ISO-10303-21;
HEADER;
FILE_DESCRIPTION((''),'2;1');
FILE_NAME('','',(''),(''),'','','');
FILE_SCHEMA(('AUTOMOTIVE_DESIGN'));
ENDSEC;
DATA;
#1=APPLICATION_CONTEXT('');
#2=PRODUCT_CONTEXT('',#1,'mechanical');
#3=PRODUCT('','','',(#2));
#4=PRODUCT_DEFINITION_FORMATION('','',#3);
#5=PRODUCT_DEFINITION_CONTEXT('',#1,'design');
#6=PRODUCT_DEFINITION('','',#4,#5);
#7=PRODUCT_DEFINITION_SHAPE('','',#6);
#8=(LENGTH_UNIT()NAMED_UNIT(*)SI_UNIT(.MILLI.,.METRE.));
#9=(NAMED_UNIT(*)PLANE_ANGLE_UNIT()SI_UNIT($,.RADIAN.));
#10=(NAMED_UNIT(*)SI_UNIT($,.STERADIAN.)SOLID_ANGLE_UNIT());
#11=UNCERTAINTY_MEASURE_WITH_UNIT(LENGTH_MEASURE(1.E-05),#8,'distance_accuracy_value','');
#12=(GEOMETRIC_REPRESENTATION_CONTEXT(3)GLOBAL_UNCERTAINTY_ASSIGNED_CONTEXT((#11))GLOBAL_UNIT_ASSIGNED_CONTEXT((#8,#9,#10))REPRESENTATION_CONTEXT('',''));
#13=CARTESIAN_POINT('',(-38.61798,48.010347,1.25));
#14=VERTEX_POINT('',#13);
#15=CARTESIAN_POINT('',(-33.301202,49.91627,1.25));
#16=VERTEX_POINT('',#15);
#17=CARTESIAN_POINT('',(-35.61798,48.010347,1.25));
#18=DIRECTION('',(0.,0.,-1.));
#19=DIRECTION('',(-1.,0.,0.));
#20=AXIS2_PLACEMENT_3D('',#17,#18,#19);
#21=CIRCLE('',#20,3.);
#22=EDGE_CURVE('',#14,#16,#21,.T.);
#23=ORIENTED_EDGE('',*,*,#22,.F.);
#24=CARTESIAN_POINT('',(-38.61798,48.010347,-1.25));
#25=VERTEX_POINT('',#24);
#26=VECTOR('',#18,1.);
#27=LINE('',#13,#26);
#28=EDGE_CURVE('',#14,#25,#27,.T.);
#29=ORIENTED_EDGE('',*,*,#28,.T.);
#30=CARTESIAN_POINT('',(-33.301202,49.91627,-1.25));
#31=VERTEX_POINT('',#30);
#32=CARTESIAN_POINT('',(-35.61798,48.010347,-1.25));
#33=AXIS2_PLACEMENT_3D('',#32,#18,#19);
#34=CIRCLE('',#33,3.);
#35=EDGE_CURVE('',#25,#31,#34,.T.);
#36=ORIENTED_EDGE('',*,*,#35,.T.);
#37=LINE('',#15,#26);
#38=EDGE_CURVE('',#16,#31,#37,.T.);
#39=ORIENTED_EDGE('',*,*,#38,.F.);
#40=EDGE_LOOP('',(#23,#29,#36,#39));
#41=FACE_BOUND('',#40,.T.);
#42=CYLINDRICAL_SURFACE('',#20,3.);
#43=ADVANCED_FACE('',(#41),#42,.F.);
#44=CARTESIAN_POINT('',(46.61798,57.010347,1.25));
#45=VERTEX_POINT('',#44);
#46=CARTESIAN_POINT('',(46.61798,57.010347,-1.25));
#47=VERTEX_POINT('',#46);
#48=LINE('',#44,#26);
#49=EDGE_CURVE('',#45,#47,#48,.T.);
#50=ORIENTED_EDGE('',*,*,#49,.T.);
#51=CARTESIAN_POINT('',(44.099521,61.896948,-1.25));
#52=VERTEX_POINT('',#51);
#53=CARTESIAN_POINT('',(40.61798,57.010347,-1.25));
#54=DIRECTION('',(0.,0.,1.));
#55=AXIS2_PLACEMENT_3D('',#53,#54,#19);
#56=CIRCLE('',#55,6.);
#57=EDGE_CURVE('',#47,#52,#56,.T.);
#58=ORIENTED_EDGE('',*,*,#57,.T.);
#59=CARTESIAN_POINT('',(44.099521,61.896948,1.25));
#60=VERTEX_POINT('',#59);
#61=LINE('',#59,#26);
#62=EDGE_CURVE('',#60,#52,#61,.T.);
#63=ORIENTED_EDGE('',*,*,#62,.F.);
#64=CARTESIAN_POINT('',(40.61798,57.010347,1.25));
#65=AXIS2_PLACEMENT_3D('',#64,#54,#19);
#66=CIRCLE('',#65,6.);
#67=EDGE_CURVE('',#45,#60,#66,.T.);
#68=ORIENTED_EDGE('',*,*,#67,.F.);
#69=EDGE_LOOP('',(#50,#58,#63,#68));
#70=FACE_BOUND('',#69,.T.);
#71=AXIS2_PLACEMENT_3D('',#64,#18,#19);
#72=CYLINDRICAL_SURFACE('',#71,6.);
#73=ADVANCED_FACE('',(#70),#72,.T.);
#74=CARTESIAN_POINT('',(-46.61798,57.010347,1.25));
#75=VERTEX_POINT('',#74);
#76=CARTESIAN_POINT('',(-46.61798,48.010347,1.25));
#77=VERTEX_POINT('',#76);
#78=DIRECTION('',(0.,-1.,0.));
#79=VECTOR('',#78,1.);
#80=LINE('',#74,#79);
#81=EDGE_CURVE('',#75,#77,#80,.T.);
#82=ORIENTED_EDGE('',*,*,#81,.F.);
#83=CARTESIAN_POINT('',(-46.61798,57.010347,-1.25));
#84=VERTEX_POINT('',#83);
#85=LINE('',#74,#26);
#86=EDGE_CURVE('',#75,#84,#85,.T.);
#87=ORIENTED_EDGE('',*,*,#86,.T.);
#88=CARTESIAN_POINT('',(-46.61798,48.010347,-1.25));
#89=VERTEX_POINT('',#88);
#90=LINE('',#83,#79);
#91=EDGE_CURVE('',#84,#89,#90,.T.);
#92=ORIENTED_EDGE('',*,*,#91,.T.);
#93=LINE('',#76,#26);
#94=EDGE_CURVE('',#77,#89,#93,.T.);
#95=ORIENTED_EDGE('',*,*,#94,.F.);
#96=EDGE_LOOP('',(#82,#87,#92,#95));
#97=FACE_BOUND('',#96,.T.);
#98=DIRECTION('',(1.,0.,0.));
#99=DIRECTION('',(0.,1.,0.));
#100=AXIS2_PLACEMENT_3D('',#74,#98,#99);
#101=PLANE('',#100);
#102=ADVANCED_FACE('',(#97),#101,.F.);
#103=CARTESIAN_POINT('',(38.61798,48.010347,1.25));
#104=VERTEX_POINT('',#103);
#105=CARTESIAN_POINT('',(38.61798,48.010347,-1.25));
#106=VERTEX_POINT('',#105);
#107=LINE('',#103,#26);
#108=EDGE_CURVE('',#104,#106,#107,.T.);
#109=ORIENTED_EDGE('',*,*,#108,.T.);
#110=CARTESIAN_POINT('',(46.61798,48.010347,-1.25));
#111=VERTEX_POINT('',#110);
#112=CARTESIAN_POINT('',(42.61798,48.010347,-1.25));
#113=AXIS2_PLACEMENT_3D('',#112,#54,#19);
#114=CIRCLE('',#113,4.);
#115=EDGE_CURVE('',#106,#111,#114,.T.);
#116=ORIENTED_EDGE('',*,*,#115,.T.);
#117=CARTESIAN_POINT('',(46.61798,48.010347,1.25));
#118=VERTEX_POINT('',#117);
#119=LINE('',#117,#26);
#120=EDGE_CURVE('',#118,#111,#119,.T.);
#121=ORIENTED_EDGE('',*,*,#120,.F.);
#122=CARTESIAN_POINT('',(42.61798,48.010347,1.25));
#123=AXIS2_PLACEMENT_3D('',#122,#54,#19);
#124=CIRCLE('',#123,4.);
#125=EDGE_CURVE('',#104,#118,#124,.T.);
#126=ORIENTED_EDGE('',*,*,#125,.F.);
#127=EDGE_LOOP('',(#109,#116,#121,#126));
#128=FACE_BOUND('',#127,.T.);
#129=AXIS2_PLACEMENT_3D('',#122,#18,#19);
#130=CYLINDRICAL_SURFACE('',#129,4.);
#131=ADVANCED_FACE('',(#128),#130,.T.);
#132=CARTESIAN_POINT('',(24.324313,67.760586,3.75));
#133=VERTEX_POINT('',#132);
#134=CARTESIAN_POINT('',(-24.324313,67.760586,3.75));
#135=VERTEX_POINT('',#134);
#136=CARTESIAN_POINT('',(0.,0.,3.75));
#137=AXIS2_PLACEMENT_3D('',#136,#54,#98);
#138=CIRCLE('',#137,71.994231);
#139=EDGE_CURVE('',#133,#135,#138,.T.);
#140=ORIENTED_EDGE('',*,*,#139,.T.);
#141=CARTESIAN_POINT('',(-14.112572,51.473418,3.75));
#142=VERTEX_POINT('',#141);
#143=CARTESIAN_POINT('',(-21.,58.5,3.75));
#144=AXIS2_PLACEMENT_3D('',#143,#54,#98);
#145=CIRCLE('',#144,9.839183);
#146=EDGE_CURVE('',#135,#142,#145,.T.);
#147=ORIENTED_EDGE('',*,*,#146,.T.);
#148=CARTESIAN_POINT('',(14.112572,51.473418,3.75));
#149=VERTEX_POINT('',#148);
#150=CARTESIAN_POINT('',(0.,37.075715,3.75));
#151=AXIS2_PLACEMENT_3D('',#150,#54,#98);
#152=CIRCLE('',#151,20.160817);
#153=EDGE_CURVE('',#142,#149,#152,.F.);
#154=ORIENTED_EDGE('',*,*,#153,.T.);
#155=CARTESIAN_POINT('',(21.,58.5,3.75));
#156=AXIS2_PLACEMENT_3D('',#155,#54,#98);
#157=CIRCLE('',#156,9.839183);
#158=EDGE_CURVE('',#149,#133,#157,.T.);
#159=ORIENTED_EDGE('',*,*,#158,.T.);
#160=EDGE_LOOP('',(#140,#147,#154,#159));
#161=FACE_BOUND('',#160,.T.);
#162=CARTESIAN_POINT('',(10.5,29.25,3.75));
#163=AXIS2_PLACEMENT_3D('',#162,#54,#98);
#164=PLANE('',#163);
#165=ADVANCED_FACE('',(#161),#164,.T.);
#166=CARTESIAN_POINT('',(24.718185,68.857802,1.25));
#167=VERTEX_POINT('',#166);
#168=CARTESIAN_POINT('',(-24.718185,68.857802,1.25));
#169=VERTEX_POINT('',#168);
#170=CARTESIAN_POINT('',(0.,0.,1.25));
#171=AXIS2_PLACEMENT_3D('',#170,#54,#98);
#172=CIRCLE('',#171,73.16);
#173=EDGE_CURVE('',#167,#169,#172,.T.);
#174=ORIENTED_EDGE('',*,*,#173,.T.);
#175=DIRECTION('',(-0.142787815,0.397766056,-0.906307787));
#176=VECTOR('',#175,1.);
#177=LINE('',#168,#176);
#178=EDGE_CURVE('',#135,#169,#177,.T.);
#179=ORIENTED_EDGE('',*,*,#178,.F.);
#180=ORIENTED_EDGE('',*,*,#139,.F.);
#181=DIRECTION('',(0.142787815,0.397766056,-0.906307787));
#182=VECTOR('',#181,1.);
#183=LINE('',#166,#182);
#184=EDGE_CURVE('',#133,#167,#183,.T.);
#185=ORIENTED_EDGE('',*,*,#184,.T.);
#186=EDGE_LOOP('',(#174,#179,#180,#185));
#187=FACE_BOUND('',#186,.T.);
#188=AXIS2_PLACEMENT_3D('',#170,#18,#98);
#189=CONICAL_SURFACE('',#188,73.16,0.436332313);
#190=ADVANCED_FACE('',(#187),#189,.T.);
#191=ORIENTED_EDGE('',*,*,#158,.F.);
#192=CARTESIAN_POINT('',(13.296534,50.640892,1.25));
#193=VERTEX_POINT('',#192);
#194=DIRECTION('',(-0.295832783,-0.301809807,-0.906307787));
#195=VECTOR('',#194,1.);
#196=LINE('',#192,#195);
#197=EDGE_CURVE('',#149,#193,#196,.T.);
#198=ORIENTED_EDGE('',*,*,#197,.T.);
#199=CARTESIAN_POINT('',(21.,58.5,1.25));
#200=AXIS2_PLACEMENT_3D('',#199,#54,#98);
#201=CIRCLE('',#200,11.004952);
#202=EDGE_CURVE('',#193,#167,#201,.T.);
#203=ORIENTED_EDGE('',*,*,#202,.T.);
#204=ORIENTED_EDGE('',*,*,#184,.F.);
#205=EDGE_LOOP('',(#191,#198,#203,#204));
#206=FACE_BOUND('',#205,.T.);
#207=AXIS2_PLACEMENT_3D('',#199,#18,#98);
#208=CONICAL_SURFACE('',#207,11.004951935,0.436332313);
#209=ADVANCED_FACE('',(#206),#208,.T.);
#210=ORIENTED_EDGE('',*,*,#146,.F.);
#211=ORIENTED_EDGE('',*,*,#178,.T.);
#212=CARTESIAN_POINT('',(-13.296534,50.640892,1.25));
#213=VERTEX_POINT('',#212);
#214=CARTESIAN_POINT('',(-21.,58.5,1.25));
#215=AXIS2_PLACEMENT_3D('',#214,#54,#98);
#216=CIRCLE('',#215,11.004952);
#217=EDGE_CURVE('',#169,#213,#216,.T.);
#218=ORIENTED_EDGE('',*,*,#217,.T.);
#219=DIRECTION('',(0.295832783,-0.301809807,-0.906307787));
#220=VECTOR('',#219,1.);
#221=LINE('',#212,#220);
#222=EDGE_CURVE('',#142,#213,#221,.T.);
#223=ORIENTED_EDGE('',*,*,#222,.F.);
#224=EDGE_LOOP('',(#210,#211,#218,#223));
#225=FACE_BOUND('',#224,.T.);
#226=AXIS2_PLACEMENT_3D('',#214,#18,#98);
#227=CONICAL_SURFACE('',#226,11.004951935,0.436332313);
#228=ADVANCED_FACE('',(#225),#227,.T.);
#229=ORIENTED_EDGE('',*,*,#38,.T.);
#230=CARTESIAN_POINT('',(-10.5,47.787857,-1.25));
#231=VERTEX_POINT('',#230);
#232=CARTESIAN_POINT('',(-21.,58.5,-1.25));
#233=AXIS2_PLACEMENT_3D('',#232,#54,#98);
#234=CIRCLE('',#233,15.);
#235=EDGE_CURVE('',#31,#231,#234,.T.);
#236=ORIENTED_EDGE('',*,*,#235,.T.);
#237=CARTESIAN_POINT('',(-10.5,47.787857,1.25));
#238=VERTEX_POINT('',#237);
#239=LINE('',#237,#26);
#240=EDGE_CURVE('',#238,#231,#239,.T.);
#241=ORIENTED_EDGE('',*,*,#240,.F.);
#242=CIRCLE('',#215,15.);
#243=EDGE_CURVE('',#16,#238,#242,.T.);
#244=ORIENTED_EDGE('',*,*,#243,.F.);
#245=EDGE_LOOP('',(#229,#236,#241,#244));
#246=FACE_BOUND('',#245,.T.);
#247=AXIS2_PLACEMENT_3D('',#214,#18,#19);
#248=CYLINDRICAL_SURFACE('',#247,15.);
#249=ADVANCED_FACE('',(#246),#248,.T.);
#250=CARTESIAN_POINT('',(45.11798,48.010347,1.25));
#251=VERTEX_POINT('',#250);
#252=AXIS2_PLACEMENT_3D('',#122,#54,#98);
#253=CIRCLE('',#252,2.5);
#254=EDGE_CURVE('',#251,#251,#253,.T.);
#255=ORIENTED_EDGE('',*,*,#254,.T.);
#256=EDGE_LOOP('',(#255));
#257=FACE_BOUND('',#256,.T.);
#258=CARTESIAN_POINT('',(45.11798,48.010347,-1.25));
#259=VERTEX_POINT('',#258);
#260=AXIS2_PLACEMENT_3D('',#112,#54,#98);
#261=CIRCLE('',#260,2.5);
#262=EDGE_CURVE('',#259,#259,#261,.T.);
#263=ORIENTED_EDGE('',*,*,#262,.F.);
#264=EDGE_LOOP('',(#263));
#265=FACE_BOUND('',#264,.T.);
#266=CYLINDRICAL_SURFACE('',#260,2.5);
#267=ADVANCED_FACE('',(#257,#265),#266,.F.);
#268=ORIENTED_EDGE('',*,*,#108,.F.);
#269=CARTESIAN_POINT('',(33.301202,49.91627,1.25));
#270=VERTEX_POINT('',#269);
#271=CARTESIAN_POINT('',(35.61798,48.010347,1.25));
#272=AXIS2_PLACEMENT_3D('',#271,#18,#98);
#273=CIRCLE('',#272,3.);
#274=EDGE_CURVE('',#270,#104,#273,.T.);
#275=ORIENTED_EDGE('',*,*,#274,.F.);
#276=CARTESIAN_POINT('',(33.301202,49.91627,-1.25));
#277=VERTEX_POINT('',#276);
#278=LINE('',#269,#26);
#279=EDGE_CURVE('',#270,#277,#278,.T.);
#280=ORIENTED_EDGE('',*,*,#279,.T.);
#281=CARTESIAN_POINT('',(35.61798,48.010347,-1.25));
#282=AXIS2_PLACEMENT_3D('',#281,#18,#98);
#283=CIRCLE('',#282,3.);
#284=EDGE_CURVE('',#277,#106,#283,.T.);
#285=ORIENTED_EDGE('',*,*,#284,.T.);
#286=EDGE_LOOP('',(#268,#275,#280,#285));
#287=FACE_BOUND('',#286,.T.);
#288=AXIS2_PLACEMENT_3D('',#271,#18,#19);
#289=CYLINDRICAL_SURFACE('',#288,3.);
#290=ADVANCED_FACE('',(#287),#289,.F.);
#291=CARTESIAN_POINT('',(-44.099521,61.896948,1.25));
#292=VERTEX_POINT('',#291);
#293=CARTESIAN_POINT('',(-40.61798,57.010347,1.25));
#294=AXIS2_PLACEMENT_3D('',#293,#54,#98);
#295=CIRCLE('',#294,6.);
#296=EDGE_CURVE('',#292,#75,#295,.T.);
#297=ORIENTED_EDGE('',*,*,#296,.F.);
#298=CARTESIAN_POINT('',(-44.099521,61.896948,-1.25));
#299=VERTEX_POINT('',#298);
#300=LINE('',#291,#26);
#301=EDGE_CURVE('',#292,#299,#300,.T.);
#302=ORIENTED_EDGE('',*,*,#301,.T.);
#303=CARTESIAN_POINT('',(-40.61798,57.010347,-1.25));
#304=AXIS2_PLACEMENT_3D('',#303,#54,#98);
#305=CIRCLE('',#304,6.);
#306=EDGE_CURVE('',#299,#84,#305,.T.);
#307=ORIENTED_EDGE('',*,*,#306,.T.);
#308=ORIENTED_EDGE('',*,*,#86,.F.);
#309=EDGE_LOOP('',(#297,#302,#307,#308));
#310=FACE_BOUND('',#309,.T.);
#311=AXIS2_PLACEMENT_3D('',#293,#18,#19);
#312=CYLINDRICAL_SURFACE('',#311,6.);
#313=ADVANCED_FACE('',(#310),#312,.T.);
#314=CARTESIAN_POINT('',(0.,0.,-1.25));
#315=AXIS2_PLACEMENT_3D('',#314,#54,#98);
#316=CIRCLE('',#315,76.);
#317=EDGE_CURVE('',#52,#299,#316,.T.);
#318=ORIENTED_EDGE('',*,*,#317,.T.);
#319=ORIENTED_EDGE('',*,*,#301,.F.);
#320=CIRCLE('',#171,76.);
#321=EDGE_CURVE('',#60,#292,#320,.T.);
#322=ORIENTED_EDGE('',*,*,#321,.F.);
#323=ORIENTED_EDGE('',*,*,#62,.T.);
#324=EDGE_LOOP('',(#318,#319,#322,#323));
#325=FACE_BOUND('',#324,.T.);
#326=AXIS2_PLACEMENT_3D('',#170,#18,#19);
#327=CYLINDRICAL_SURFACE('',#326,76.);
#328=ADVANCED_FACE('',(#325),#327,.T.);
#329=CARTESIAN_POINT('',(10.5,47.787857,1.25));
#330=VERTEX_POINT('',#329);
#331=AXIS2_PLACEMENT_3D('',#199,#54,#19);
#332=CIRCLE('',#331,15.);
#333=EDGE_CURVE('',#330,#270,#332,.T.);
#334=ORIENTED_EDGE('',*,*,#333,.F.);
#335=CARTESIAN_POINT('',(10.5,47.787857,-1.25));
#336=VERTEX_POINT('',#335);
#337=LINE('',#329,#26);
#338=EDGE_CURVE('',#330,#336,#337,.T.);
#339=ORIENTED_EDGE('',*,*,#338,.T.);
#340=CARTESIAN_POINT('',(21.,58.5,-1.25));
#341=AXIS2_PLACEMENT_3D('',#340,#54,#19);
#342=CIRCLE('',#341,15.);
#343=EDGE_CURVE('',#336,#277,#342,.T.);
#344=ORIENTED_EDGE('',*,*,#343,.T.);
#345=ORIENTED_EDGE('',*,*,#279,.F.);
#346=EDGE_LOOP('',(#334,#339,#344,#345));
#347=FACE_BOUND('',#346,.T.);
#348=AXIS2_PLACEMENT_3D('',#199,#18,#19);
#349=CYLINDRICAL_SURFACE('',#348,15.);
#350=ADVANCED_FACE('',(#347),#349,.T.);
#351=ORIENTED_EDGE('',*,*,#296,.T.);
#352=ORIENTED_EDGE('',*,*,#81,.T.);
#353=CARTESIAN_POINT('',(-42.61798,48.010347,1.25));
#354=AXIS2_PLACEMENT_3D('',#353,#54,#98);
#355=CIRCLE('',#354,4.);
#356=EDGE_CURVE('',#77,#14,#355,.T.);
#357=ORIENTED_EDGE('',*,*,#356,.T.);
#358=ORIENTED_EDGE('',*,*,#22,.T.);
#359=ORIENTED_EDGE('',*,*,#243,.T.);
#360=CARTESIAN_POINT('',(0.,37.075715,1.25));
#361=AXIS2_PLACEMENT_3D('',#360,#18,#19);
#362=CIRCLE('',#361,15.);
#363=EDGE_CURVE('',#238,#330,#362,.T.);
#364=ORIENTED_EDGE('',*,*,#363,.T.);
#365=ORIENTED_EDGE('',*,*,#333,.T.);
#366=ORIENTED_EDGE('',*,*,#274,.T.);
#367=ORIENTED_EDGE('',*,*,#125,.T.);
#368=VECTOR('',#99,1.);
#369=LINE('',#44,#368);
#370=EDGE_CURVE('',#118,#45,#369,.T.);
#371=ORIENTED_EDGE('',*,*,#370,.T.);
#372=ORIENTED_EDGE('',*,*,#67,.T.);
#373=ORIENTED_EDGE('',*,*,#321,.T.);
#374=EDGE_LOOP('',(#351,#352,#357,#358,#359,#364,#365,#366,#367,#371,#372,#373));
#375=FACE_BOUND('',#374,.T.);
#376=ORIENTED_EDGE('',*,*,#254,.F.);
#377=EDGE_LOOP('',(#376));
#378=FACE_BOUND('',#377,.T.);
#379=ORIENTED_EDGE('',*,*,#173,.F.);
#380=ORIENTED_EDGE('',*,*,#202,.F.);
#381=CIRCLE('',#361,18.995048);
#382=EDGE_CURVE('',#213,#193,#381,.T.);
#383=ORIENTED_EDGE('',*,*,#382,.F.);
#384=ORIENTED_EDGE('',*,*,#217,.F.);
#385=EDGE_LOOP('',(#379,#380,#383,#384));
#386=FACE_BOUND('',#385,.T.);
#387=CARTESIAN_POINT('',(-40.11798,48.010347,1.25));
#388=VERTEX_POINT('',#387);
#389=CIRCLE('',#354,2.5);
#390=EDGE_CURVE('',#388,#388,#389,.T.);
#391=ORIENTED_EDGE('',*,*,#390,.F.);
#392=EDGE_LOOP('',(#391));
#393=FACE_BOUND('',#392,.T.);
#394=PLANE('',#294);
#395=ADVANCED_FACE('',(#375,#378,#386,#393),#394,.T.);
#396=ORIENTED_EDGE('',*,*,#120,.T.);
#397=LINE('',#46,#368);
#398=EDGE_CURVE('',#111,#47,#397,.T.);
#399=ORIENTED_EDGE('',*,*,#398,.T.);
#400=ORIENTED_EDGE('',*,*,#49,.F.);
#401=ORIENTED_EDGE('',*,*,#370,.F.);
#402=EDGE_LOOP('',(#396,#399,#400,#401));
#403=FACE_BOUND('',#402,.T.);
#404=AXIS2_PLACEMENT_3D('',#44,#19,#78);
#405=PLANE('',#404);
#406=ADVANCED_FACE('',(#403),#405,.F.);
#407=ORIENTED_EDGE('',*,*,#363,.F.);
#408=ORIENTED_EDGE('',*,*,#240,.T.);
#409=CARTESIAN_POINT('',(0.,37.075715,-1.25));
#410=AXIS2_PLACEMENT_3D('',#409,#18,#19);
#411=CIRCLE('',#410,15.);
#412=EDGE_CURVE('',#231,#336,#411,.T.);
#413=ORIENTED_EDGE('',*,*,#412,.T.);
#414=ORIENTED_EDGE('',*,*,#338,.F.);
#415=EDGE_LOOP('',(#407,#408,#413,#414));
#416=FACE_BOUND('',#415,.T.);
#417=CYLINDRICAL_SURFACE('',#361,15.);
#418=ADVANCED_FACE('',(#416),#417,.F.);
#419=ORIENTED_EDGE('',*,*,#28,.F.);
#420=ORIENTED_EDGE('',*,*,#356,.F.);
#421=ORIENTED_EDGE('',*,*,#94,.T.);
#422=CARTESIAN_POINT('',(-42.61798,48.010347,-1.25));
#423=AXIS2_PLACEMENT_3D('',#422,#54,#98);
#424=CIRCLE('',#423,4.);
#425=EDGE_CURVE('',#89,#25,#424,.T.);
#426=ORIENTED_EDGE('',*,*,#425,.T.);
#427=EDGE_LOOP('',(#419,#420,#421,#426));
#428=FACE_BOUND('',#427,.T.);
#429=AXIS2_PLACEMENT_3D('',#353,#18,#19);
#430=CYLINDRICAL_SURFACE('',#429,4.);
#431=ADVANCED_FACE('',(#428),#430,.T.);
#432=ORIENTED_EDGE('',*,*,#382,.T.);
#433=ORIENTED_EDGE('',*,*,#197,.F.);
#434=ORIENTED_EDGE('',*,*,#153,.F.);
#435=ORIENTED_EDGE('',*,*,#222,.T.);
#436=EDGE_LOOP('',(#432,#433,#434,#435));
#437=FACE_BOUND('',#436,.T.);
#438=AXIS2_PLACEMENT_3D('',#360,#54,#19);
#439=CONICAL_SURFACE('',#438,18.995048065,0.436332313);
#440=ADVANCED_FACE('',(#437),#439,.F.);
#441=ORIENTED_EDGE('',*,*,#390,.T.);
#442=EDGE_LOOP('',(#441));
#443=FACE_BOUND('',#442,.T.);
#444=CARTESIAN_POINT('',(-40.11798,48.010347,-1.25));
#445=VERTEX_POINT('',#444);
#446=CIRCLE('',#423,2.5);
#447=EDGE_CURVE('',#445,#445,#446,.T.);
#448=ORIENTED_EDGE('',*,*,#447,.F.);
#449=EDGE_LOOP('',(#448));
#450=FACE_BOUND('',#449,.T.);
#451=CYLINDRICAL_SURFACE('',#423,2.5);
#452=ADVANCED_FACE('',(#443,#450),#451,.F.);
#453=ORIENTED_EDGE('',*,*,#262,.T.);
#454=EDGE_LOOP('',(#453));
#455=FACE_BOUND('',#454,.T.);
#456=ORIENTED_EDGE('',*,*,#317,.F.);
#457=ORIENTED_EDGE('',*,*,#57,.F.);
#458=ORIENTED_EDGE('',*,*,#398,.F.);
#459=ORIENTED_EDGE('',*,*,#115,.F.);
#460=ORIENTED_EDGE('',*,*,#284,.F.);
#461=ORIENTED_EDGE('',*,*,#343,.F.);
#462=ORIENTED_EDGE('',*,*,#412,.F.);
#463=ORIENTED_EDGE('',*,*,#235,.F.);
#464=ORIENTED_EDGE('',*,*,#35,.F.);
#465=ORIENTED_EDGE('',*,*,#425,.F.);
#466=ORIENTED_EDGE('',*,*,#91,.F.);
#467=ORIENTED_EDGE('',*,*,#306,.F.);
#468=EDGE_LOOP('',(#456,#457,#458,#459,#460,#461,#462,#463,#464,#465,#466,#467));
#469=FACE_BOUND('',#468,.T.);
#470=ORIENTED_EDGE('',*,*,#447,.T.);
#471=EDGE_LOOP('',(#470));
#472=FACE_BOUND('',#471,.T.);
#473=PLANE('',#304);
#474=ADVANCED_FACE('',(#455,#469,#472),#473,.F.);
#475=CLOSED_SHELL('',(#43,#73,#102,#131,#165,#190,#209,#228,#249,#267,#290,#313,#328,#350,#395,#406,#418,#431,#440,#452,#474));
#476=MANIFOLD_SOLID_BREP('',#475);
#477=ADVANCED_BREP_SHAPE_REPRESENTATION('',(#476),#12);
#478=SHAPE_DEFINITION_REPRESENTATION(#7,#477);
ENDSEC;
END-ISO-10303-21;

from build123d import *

# Parameters (mm, degrees)
BOSS_EXTRUDE1_DEPTH = 1.25
BOSS_EXTRUDE2_DEPTH = 2.5
BOSS_EXTRUDE2_TAPER = 25
SKETCH3_R           = 2.5
CUT_EXTRUDE1_DEPTH  = 90.193531509


with BuildPart() as part:
    # Sketch1 → Boss-Extrude1 (new, symmetric)
    with BuildSketch(Plane.XY):
        with BuildLine():
            Line((-46.61798004, 57.010347284), (-46.61798004, 48.010347284))
            ThreePointArc((-46.61798004, 48.010347284), (-42.61798004, 44.010347284), (-38.61798004, 48.010347284))
            ThreePointArc((-38.61798004, 48.010347284), (-36.630320397, 50.834381101), (-33.301202039, 49.916269553))
            ThreePointArc((-33.301202039, 49.916269553), (-22.394136584, 43.564927748), (-10.5, 47.787857357))
            ThreePointArc((-10.5, 47.787857357), (0, 52.075714714), (10.5, 47.787857357))
            ThreePointArc((10.5, 47.787857357), (22.394136584, 43.564927748), (33.301202039, 49.916269553))
            ThreePointArc((33.301202039, 49.916269553), (36.630320397, 50.834381101), (38.61798004, 48.010347284))
            ThreePointArc((38.61798004, 48.010347284), (42.61798004, 44.010347284), (46.61798004, 48.010347284))
            Line((46.61798004, 48.010347284), (46.61798004, 57.010347284))
            ThreePointArc((46.61798004, 57.010347284), (45.951330154, 59.759051808), (44.099521187, 61.89694848))
            ThreePointArc((44.099521187, 61.89694848), (0, 76), (-44.099521187, 61.89694848))
            ThreePointArc((-44.099521187, 61.89694848), (-45.951330154, 59.759051808), (-46.61798004, 57.010347284))
        make_face()
    extrude(amount=BOSS_EXTRUDE1_DEPTH, both=True)

    # Sketch2 → Boss-Extrude2 (add)
    with BuildSketch(Plane.XY.offset(1.25)):
        with BuildLine():
            ThreePointArc((24.718185374, 68.857802113), (0, 73.16), (-24.718185374, 68.857802113))
            ThreePointArc((-24.718185374, 68.857802113), (-30.323870792, 52.65411251), (-13.296533646, 50.64089234))
            ThreePointArc((-13.296533646, 50.64089234), (0, 56.07076278), (13.296533646, 50.64089234))
            ThreePointArc((13.296533646, 50.64089234), (30.323870792, 52.65411251), (24.718185374, 68.857802113))
        make_face()
    extrude(amount=BOSS_EXTRUDE2_DEPTH, taper=BOSS_EXTRUDE2_TAPER)

    # Sketch3 → Cut-Extrude1 (cut, through all)
    with BuildSketch(Plane.XY.offset(1.25)):
        with Locations((-42.61798004, 48.010347284)):
            Circle(SKETCH3_R)
        with Locations((42.61798004, 48.010347284)):
            Circle(SKETCH3_R)
    extrude(amount=-CUT_EXTRUDE1_DEPTH, mode=Mode.SUBTRACT)


solid = part.part
